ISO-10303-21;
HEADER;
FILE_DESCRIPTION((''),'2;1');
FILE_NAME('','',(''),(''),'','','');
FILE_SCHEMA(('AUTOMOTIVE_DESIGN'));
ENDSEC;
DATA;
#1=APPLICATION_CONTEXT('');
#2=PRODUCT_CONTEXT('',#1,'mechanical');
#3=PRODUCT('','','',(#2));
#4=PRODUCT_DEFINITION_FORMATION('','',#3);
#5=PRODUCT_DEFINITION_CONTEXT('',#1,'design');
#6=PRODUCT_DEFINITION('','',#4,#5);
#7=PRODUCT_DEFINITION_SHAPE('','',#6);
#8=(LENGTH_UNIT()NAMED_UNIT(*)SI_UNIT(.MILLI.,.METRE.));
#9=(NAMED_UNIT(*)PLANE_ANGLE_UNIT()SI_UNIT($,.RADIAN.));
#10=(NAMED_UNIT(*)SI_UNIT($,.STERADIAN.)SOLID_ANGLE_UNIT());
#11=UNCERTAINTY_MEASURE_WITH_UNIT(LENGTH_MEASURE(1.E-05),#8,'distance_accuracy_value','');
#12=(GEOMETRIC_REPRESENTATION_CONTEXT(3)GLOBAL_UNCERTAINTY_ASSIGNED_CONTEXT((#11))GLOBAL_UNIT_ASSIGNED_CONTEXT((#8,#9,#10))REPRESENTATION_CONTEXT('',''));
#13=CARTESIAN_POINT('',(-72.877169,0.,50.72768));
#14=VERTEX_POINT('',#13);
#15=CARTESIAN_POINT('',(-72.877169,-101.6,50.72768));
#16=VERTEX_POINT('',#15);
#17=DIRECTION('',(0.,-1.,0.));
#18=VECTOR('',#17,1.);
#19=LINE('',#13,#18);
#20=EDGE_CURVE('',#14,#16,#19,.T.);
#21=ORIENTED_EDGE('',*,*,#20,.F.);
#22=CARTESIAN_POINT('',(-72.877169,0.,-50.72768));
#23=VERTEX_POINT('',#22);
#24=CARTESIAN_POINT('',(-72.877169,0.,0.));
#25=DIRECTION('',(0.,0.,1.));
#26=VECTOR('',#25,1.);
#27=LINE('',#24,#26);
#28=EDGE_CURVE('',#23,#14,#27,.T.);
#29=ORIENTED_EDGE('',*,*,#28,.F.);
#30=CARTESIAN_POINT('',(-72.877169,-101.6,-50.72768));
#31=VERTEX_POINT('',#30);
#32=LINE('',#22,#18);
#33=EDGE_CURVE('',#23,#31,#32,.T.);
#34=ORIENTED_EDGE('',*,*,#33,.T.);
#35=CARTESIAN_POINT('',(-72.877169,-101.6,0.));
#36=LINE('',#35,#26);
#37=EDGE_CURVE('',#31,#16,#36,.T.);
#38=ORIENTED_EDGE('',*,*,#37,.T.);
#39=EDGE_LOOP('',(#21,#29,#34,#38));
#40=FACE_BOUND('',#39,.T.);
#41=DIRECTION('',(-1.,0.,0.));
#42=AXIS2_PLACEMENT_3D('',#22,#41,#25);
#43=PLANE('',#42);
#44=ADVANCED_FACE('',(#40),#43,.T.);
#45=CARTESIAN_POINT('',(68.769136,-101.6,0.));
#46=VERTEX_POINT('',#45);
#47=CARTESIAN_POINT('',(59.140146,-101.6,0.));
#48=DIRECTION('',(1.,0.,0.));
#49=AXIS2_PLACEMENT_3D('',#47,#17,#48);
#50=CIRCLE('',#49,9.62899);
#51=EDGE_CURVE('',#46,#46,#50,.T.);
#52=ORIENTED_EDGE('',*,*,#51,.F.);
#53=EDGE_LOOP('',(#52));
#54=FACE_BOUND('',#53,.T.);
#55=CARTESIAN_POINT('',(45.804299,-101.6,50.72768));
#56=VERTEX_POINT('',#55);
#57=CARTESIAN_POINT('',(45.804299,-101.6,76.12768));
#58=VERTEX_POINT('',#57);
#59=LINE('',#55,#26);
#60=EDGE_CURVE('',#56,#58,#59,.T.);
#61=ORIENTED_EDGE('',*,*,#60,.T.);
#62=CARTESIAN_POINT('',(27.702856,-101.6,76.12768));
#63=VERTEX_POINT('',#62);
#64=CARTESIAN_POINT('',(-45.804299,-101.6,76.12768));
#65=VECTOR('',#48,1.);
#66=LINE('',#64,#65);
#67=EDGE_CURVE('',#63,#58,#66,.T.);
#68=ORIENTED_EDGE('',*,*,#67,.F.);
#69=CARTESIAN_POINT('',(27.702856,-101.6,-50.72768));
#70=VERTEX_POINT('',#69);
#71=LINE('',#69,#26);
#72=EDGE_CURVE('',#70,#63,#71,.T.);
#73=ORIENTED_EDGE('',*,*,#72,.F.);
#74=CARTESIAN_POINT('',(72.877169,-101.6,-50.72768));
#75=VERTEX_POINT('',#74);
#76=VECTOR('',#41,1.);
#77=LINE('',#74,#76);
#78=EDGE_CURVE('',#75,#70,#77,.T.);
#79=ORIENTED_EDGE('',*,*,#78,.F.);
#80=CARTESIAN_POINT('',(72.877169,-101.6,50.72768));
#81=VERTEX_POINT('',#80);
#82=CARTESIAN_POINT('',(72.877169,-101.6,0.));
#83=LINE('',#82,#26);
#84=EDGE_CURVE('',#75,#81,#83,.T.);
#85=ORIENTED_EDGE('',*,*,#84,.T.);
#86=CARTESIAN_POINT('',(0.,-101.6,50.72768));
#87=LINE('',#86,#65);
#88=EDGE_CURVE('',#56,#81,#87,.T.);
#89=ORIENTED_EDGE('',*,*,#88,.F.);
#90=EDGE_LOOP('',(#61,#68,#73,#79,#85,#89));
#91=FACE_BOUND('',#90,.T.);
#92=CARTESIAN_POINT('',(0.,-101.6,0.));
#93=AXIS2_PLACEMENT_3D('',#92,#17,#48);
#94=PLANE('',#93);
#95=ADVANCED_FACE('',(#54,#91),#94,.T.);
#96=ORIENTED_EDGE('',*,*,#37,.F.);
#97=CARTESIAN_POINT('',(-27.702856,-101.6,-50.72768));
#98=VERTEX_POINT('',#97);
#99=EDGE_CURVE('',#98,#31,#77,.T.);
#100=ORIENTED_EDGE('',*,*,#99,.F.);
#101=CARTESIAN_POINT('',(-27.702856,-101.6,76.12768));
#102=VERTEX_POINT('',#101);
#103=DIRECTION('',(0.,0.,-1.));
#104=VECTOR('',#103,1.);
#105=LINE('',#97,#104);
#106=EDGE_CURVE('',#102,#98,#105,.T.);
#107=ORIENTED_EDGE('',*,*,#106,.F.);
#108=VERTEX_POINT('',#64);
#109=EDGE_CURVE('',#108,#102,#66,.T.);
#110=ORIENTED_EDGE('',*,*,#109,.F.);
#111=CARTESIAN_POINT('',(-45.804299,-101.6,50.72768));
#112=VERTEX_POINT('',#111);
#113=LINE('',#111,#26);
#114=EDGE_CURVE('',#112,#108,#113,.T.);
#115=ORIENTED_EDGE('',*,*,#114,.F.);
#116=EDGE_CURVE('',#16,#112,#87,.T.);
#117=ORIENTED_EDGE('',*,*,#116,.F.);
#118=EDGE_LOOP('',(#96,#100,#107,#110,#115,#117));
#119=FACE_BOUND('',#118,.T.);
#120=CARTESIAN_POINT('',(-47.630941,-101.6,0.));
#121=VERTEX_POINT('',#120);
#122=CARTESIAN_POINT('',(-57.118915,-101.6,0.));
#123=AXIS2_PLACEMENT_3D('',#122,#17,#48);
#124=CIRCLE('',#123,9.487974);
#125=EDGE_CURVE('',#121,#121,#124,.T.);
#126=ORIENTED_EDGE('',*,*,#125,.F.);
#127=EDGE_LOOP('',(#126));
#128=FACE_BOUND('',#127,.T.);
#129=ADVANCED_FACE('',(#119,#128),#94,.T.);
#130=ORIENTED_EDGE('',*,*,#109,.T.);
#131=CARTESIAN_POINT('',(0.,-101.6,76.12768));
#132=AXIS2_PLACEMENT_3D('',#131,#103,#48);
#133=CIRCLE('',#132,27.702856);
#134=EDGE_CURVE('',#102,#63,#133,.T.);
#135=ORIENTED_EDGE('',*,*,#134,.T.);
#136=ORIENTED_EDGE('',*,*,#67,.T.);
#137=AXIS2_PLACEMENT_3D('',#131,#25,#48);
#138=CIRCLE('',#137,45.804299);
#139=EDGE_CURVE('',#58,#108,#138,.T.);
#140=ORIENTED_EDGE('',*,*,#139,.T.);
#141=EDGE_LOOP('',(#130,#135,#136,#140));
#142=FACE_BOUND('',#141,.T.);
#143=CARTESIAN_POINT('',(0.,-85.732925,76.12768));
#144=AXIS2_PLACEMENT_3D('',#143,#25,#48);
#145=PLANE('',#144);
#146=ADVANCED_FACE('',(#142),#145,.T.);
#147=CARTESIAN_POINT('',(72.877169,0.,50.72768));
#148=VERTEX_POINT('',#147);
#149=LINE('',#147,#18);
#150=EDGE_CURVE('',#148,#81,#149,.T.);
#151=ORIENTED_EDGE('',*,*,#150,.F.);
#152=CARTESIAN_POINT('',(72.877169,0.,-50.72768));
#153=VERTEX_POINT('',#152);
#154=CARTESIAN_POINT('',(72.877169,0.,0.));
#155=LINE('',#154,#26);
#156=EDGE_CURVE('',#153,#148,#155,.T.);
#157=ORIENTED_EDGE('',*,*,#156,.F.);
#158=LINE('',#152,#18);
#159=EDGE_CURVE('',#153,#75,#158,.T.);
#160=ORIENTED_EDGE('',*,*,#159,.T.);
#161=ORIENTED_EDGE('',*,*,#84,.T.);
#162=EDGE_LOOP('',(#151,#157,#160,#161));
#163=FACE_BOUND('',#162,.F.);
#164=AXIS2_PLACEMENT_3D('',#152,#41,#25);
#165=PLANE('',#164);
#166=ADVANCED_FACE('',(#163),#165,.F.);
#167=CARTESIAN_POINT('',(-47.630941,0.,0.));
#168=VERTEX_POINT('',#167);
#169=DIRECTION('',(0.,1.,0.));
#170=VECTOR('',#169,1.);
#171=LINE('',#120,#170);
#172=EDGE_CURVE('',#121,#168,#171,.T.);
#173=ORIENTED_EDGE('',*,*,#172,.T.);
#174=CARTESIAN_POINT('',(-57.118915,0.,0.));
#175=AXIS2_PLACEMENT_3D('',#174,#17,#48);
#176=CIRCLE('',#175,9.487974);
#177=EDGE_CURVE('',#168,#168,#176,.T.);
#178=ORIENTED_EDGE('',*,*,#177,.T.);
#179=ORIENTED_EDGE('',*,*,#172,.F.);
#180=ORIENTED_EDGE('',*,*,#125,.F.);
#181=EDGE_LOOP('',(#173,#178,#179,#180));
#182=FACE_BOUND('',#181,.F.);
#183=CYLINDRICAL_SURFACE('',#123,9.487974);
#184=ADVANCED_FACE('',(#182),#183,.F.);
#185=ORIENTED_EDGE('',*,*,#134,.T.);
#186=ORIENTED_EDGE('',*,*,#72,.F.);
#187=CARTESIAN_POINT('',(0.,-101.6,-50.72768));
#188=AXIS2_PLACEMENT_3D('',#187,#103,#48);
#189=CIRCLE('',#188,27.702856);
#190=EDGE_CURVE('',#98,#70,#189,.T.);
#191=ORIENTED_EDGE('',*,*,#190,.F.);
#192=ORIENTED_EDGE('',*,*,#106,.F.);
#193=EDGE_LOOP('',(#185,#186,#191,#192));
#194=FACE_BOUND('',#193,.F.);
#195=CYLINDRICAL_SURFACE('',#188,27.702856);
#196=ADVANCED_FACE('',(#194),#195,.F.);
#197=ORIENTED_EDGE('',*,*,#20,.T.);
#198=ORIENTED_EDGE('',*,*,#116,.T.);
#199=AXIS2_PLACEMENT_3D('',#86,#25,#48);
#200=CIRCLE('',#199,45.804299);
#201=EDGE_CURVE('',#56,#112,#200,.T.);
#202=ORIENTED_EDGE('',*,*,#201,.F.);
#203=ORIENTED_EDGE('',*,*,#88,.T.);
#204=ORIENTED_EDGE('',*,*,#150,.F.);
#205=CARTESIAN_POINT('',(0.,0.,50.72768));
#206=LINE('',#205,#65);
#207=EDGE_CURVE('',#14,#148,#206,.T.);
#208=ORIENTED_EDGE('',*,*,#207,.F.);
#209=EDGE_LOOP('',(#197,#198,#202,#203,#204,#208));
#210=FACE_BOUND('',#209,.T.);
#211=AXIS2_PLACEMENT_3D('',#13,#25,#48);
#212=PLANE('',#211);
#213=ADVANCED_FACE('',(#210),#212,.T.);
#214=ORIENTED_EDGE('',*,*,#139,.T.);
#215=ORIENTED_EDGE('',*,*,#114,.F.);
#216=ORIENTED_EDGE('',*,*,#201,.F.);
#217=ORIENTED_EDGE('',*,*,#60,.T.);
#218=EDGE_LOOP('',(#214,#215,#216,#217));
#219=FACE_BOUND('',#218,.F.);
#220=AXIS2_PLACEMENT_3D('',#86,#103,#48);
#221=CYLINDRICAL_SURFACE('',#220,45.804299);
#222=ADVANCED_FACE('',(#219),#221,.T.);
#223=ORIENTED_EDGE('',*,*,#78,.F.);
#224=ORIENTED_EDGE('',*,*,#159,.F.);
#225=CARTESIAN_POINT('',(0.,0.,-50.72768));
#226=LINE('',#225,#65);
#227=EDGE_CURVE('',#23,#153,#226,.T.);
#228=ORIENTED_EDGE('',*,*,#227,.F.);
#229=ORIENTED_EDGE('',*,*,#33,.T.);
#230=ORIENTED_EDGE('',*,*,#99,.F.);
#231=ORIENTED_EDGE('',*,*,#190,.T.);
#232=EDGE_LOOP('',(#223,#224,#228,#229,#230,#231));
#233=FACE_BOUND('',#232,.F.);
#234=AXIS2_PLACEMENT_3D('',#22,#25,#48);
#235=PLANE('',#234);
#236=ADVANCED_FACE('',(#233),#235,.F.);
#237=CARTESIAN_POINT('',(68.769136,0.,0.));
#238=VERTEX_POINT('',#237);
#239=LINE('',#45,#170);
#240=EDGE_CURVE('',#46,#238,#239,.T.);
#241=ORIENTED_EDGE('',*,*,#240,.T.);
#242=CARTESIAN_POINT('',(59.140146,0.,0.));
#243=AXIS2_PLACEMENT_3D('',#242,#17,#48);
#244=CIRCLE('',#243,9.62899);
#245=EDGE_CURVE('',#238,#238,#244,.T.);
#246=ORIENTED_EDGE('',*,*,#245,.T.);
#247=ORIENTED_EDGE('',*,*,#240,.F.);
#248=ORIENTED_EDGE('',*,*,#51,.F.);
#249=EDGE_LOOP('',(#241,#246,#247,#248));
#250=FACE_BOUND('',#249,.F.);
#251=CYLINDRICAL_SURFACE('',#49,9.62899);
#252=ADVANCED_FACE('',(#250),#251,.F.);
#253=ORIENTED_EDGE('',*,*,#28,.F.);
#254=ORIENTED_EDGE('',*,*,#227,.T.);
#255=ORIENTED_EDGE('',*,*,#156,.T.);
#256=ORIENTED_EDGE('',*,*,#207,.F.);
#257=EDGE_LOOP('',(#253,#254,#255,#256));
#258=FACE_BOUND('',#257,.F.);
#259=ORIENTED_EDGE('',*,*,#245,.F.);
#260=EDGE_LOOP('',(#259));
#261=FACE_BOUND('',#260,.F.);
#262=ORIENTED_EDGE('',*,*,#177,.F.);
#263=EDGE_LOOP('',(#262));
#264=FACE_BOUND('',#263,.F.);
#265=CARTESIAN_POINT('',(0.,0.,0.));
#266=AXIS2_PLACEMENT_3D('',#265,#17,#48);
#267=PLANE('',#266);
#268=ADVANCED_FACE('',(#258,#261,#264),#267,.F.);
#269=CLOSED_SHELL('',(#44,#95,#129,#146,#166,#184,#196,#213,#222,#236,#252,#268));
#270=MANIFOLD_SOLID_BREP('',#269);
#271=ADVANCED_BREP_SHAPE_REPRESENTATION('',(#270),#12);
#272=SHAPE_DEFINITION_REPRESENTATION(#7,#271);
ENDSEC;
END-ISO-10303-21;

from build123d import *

# Parameters (mm, degrees)
F0_W     = 145.7543373108
F0_H     = 101.455360651
F1_DEPTH = 101.6
F4_DEPTH = 25.4
F5_R     = 27.7028558339
F6_DEPTH = 127
F7_R     = 9.4879740748
F7_R_2   = 9.6289901624
F8_DEPTH = 152.4


with BuildPart() as f1:
    # F0 (on Front) → F1 (new body)
    with BuildSketch(Plane.XZ):
        Rectangle(F0_W, F0_H)
    extrude(amount=F1_DEPTH)

    # F3 (on face) + F2 (on face) → F4 (join)
    with BuildSketch(Plane.XY.offset(50.7276803255)):
        with BuildLine():
            Line((-45.8042988354, -101.6), (45.8042988354, -101.6))
            ThreePointArc((45.8042988354, -101.6), (0, -55.7957011646), (-45.8042988354, -101.6))
        make_face()
    with BuildSketch(Plane(origin=(0, 0, -50.7276803255), x_dir=(1, 0, 0), z_dir=(0, 0, -1))):
        with BuildLine():
            ThreePointArc((-46.1219863385, 101.6), (0, 55.4780136615), (46.1219863385, 101.6))
            Line((46.1219863385, 101.6), (-46.1219863385, 101.6))
        make_face()
    extrude(amount=F4_DEPTH, dir=(0, 0, 1))

    # F5 (on face) → F6 (cut)
    with BuildSketch(Plane(origin=(0, 0, -50.7276803255), x_dir=(1, 0, 0), z_dir=(0, 0, -1))):
        with Locations((0, 101.6)):
            Circle(F5_R)
    extrude(amount=-F6_DEPTH, mode=Mode.SUBTRACT)

    # F7 (on face) → F8 (cut)
    with BuildSketch(Plane.XZ.offset(101.6)):
        with Locations((-57.1189150214, 0)):
            Circle(F7_R)
        with Locations((59.1401457787, 0)):
            Circle(F7_R_2)
    extrude(amount=-F8_DEPTH, mode=Mode.SUBTRACT)


solid = f1.part
